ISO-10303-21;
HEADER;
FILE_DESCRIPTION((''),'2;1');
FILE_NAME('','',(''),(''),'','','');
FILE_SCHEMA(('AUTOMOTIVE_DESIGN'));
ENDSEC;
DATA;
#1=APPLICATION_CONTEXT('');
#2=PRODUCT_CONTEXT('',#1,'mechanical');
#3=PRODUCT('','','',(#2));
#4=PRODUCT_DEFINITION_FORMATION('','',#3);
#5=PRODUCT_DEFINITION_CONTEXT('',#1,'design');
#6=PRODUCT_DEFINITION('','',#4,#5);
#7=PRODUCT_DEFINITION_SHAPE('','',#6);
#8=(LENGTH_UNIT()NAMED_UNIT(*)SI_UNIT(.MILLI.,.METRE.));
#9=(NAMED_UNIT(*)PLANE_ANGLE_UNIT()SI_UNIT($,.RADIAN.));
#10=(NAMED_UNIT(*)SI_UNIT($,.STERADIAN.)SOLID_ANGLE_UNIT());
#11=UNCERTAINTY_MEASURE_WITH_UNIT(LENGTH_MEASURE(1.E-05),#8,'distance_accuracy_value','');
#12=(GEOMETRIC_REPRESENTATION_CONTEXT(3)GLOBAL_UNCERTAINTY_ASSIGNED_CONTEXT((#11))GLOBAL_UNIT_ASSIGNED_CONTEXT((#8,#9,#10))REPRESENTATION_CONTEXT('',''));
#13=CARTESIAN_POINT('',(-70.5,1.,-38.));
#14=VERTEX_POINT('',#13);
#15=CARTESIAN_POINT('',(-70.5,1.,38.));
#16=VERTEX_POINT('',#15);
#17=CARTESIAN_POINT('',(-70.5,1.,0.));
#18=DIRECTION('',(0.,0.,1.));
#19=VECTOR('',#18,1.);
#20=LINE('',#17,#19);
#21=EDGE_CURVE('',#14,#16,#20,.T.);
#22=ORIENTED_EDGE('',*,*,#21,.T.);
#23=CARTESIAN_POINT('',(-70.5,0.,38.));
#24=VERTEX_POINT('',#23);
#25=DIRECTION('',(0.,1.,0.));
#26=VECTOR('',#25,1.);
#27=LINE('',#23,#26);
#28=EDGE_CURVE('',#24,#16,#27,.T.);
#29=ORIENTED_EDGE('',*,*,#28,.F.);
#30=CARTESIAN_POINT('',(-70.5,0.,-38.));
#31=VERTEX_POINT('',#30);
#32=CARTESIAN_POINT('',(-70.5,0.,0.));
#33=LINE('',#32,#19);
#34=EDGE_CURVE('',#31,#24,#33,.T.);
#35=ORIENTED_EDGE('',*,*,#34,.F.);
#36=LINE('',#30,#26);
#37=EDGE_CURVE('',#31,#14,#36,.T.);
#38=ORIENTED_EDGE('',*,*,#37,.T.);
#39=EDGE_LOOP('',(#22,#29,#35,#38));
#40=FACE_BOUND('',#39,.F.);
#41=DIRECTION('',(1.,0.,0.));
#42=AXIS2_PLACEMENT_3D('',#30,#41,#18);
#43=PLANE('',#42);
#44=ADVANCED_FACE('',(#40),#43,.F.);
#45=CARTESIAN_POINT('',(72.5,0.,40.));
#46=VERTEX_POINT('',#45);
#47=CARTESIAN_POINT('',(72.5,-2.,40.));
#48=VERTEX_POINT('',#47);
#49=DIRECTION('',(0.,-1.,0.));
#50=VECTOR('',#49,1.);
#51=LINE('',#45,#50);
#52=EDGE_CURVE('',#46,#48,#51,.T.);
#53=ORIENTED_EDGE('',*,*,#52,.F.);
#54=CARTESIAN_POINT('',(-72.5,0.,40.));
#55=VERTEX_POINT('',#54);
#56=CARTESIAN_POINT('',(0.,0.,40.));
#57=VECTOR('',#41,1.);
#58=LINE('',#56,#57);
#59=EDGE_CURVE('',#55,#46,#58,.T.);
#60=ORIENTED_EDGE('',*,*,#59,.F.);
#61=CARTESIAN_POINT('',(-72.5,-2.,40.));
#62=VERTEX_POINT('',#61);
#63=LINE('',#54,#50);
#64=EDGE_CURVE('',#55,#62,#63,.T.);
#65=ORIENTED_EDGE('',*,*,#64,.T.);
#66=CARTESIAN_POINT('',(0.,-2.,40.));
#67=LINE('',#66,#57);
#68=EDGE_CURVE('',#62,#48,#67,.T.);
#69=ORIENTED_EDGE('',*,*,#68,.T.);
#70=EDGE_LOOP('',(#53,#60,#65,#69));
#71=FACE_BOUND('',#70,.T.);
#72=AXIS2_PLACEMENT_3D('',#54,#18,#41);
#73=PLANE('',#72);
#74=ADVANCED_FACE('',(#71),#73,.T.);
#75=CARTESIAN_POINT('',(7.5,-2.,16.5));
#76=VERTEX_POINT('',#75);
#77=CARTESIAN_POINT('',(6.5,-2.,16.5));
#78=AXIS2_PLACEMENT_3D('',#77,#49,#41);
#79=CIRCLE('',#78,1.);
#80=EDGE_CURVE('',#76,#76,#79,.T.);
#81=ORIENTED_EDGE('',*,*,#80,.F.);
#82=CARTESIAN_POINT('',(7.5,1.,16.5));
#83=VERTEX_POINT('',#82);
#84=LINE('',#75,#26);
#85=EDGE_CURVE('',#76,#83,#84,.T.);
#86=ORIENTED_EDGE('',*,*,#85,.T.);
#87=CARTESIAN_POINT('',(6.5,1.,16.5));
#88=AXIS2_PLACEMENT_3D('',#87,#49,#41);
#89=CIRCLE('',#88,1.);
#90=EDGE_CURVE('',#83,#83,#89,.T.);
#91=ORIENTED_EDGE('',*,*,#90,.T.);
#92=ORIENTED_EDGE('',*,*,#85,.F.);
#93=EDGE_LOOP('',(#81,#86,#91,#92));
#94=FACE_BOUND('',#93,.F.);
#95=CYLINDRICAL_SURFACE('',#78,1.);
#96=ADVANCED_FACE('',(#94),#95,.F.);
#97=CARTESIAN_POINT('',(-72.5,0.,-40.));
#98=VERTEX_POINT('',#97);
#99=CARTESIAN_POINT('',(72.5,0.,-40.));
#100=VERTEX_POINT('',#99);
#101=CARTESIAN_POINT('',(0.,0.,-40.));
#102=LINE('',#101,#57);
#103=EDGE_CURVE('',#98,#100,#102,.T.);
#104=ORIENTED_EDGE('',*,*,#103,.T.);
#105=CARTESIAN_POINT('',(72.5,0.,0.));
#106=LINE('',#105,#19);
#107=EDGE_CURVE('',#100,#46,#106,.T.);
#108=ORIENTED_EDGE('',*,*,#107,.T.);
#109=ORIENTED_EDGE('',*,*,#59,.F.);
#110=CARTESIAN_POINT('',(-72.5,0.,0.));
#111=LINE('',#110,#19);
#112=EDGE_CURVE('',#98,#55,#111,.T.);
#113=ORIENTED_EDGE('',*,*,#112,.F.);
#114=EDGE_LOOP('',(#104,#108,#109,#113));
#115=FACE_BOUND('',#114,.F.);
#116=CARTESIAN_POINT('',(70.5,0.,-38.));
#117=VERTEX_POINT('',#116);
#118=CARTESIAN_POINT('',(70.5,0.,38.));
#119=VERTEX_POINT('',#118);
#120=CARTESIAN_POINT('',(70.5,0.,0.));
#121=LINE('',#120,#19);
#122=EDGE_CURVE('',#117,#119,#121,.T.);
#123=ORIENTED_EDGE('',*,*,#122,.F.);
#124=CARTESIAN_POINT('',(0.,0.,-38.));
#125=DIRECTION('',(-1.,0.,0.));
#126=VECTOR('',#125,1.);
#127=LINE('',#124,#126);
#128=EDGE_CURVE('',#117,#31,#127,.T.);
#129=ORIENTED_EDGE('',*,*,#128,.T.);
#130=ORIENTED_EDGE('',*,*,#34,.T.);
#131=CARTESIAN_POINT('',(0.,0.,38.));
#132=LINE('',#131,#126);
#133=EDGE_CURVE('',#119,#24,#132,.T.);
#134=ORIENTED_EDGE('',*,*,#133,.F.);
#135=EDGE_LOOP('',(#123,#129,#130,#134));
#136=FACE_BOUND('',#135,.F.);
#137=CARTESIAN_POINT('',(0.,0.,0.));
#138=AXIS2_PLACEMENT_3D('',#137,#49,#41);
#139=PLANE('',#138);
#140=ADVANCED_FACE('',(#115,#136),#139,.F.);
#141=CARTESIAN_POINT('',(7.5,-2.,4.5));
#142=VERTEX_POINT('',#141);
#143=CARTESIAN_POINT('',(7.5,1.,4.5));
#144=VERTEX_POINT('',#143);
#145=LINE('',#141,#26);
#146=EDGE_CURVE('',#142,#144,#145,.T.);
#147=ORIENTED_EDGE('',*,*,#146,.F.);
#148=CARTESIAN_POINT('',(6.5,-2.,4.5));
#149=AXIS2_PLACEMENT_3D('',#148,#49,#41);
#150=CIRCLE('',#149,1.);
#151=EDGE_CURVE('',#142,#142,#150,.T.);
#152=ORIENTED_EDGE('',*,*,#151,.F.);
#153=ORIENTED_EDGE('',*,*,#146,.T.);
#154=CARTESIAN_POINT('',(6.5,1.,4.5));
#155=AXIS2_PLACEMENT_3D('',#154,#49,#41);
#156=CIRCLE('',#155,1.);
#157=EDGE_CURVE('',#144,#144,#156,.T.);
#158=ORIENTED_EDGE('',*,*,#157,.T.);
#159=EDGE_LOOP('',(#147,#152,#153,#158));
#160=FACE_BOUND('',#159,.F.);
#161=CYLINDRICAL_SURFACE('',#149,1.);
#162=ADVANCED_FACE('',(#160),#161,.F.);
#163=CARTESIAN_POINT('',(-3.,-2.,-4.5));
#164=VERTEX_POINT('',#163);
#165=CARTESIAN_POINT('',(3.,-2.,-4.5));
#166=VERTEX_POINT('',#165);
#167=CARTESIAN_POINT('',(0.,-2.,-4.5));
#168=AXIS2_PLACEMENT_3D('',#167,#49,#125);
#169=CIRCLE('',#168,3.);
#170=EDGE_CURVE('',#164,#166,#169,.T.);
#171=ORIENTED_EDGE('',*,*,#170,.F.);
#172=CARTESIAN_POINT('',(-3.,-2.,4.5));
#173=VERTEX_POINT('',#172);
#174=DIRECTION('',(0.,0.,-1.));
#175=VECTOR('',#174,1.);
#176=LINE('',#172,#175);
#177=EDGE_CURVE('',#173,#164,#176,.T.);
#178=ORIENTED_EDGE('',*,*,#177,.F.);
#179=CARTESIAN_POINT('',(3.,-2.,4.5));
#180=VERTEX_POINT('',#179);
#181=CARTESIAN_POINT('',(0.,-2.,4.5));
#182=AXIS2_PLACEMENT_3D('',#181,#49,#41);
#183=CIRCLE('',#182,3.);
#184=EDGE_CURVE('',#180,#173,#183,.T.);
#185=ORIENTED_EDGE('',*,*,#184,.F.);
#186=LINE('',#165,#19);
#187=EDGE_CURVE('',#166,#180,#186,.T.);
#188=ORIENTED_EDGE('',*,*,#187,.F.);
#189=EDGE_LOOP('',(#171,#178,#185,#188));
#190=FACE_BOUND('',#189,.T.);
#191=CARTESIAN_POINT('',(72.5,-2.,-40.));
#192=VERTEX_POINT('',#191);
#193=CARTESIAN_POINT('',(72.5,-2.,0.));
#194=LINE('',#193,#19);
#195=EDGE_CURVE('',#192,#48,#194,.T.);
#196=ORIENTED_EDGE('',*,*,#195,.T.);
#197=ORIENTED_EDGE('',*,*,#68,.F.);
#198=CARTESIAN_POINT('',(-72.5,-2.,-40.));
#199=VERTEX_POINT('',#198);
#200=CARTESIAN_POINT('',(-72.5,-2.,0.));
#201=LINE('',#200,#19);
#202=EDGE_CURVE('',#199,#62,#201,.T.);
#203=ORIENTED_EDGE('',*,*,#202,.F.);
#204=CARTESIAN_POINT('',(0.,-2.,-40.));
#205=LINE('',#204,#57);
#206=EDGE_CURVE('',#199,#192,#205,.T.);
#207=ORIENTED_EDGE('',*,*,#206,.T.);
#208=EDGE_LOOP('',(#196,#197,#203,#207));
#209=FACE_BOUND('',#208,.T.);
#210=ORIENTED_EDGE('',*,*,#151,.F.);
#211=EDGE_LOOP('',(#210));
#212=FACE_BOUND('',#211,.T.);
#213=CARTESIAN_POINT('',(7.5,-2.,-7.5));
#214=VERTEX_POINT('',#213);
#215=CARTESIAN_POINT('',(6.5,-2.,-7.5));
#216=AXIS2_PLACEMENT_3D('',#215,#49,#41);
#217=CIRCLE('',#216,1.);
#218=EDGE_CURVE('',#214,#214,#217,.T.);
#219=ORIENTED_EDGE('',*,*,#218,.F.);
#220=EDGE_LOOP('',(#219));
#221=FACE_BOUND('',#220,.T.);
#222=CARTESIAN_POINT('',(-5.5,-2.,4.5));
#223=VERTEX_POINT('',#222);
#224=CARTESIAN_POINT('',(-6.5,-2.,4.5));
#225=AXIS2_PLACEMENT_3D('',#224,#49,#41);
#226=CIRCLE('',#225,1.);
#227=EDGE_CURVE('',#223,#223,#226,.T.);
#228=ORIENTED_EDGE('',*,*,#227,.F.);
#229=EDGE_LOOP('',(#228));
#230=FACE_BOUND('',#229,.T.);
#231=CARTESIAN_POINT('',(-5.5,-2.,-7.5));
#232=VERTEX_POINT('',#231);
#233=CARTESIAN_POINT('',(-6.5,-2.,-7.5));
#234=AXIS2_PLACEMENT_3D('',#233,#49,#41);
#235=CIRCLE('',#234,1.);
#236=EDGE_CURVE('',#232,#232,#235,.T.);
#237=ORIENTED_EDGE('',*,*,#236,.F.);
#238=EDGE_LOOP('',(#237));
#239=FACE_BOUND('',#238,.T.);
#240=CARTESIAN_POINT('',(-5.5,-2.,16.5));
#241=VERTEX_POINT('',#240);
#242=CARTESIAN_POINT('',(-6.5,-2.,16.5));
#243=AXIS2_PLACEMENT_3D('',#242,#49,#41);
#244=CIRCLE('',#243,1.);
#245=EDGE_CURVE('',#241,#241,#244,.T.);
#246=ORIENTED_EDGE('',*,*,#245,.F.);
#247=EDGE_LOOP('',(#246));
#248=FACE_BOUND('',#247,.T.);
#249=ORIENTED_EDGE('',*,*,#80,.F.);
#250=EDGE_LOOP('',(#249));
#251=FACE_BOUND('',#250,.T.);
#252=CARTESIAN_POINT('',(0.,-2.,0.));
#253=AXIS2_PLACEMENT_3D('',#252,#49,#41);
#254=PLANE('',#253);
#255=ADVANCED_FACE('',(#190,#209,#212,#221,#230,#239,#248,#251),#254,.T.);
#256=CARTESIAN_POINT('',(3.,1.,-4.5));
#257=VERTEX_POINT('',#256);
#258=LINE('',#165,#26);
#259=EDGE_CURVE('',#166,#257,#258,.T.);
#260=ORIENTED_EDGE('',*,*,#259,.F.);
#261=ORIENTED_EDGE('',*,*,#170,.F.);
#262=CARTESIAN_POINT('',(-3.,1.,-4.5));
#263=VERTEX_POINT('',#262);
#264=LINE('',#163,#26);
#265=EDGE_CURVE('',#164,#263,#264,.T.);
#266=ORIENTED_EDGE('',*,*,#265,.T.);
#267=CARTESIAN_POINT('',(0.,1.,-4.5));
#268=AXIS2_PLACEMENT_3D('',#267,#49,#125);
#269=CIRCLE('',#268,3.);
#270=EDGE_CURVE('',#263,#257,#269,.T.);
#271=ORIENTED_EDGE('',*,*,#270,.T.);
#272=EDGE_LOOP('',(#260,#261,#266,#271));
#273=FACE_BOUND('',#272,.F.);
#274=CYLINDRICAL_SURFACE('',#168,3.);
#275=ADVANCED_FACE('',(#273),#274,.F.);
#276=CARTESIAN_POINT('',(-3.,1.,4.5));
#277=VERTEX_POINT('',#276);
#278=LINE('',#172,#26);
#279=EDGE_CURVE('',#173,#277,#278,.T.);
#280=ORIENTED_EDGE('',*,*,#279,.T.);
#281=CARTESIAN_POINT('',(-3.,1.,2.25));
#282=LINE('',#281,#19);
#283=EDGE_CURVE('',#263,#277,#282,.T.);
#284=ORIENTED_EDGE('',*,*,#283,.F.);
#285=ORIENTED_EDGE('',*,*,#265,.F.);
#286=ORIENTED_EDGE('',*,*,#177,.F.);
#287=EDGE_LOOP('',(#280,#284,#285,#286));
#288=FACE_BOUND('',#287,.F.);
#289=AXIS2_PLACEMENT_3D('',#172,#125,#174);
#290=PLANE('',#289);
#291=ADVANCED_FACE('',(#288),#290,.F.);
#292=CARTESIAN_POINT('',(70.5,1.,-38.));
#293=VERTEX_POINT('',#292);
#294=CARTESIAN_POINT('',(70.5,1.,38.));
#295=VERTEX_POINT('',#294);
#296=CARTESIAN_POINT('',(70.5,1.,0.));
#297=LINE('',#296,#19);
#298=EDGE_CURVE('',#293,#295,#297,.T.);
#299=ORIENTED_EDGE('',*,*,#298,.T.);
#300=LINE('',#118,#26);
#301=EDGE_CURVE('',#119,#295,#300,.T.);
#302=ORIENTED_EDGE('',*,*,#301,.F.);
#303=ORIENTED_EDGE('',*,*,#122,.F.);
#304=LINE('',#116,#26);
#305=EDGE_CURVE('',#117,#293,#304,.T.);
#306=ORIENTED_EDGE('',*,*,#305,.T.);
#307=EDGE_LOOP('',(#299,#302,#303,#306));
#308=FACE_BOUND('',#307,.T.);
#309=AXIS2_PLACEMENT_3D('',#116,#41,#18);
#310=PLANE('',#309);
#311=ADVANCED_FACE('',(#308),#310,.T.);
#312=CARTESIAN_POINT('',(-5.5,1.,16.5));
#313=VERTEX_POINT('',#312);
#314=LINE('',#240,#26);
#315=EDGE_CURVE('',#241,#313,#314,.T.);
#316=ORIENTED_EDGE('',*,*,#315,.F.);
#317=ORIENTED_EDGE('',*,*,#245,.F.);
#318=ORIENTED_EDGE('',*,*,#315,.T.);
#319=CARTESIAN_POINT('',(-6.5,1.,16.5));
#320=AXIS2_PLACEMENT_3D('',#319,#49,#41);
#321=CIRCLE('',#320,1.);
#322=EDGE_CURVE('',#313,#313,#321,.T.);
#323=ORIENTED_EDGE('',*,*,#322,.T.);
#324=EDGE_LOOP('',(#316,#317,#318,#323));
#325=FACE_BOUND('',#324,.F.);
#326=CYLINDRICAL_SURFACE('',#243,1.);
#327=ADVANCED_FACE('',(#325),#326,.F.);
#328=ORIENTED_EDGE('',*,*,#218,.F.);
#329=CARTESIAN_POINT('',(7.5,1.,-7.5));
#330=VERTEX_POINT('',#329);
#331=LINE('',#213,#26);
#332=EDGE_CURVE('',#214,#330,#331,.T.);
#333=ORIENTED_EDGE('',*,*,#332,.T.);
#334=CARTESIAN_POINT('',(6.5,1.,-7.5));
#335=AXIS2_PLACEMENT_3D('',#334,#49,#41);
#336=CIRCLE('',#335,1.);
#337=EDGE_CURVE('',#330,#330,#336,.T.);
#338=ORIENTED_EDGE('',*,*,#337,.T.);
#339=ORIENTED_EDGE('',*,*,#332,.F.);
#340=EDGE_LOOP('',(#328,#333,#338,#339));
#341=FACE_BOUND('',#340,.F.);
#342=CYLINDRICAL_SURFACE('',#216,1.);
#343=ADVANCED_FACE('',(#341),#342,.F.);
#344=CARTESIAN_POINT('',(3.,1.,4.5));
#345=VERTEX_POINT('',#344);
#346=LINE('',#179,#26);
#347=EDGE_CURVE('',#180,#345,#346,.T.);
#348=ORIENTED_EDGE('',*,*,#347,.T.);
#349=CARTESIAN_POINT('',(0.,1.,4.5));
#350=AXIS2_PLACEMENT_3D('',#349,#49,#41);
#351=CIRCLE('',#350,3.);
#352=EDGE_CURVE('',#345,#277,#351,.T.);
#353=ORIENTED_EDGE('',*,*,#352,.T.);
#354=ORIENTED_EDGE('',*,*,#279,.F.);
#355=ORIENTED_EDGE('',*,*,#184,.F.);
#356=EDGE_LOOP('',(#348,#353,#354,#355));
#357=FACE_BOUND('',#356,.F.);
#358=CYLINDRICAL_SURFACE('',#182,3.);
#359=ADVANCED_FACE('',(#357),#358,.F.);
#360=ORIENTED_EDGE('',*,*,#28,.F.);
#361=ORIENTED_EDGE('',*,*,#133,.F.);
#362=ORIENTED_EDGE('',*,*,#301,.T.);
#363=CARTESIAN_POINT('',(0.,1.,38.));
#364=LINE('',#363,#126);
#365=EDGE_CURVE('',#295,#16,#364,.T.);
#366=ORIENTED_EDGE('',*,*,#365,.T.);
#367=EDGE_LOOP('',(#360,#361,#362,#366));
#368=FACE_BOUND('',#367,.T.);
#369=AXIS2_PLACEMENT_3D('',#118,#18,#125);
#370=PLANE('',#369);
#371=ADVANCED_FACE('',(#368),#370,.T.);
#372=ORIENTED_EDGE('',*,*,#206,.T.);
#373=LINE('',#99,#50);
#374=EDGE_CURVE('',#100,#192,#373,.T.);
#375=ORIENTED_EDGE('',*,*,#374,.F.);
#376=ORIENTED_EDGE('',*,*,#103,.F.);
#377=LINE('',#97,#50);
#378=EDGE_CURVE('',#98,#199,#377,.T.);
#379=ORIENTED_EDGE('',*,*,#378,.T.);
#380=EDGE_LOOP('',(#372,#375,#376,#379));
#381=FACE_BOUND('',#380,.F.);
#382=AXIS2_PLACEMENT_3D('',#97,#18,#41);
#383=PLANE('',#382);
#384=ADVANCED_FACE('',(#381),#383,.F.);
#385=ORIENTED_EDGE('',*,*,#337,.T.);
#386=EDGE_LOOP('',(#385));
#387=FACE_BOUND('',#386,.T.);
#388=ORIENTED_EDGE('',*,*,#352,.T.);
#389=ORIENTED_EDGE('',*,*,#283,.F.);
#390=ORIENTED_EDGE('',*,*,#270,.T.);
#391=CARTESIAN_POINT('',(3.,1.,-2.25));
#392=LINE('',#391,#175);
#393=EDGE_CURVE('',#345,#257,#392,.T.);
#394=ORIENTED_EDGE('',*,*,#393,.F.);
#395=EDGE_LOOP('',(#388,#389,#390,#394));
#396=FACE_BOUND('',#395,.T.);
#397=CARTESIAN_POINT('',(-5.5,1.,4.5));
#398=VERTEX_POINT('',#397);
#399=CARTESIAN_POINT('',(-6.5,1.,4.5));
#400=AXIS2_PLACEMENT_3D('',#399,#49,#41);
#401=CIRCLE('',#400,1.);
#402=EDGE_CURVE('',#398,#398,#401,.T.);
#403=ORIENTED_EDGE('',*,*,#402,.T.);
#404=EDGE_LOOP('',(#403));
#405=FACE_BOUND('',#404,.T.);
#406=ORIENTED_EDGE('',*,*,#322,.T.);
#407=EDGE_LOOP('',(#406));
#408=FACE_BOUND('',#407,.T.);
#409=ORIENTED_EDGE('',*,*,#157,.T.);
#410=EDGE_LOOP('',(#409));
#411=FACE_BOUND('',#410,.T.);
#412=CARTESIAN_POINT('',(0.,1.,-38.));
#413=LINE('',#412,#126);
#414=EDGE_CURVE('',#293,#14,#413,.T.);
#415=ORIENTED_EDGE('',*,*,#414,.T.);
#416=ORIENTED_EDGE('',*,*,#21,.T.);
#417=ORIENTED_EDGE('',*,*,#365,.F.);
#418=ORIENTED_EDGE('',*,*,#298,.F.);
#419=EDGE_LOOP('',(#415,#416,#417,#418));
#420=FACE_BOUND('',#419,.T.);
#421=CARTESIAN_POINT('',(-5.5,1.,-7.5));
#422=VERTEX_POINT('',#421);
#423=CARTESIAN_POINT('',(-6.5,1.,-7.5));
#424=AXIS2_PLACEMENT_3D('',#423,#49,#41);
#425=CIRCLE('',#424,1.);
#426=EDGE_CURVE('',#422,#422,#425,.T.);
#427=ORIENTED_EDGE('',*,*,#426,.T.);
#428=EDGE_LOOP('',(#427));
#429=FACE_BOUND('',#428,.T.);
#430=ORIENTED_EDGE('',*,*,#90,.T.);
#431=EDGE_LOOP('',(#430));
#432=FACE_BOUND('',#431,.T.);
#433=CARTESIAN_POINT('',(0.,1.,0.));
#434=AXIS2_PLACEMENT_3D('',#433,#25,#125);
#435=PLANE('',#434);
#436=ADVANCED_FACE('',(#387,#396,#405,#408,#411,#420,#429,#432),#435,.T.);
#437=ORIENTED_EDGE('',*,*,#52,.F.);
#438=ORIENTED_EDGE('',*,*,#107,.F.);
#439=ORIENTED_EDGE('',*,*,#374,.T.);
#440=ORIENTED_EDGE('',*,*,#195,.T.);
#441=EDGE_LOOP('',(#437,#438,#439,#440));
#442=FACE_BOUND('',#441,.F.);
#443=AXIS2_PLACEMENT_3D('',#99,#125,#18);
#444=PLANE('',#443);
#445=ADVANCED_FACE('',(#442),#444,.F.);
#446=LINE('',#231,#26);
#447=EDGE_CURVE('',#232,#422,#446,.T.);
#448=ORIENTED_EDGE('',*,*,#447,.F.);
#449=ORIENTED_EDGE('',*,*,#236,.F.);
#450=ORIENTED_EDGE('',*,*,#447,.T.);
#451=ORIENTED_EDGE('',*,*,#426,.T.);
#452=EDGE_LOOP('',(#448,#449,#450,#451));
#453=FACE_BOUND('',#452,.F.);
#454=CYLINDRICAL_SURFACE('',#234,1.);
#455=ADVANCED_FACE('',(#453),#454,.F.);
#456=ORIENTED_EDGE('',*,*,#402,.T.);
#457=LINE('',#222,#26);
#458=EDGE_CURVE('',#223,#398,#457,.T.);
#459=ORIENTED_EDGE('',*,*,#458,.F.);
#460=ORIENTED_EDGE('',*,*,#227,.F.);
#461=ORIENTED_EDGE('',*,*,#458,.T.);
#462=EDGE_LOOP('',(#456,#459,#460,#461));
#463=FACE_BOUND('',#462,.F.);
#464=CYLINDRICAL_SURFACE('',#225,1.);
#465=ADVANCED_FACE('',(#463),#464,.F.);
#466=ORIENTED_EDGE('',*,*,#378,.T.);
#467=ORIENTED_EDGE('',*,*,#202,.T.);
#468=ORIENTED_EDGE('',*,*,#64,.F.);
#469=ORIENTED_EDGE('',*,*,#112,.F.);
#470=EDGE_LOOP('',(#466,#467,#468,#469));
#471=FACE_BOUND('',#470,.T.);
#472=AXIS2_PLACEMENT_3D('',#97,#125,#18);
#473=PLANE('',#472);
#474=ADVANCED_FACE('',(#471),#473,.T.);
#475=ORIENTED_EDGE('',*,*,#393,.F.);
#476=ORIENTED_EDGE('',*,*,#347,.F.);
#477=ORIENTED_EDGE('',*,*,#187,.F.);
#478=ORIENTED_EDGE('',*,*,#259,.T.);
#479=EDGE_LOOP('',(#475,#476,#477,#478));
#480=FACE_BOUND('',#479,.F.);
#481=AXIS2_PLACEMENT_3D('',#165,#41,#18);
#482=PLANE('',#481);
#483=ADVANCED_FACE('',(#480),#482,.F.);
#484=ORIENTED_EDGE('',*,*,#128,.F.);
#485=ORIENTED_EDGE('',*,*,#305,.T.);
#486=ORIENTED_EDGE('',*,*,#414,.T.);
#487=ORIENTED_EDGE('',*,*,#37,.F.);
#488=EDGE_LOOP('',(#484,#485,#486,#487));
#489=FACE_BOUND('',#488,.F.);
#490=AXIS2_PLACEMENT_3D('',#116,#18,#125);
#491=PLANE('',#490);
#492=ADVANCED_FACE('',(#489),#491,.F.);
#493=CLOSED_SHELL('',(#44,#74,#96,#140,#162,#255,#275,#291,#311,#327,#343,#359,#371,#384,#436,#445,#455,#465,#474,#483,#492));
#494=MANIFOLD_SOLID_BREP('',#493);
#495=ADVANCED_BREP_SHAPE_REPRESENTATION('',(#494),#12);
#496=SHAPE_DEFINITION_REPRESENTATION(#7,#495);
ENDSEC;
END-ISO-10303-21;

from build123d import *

# Parameters (mm, degrees)
F0_W     = 145
F0_H     = 80
F1_DEPTH = 2
F2_W     = 141
F2_H     = 76
F3_DEPTH = 1
F5_DEPTH = 25
F6_R     = 1
F7_DEPTH = 25


with BuildPart() as f1:
    # F0 (on Front) → F1 (new body)
    with BuildSketch(Plane.XZ):
        Rectangle(F0_W, F0_H)
    extrude(amount=F1_DEPTH)

    # F2 (on face) → F3 (join)
    with BuildSketch(Plane(origin=(0, 0, 0), x_dir=(-1, 0, 0), z_dir=(0, 1, 0))):
        Rectangle(F2_W, F2_H)
    extrude(amount=F3_DEPTH)

    # F4 (on face) → F5 (cut)
    with BuildSketch(Plane.XZ.offset(2)):
        with BuildLine():
            Line((3, -4.5), (3, 4.5))
            ThreePointArc((3, 4.5), (0, 7.5), (-3, 4.5))
            Line((-3, 4.5), (-3, -4.5))
            ThreePointArc((-3, -4.5), (0, -7.5), (3, -4.5))
        make_face()
    extrude(amount=-F5_DEPTH, mode=Mode.SUBTRACT)

    # F6 (on face) → F7 (cut)
    with BuildSketch(Plane.XZ.offset(2)):
        with Locations((-6.5, 16.5)):
            Circle(F6_R)
        with Locations((6.5, 16.5)):
            Circle(F6_R)
        with Locations((6.5, -7.5)):
            Circle(F6_R)
        with Locations((-6.5, -7.5)):
            Circle(F6_R)
        with Locations((-6.5, 4.5)):
            Circle(F6_R)
        with Locations((6.5, 4.5)):
            Circle(F6_R)
    extrude(amount=-F7_DEPTH, mode=Mode.SUBTRACT)


solid = f1.part
